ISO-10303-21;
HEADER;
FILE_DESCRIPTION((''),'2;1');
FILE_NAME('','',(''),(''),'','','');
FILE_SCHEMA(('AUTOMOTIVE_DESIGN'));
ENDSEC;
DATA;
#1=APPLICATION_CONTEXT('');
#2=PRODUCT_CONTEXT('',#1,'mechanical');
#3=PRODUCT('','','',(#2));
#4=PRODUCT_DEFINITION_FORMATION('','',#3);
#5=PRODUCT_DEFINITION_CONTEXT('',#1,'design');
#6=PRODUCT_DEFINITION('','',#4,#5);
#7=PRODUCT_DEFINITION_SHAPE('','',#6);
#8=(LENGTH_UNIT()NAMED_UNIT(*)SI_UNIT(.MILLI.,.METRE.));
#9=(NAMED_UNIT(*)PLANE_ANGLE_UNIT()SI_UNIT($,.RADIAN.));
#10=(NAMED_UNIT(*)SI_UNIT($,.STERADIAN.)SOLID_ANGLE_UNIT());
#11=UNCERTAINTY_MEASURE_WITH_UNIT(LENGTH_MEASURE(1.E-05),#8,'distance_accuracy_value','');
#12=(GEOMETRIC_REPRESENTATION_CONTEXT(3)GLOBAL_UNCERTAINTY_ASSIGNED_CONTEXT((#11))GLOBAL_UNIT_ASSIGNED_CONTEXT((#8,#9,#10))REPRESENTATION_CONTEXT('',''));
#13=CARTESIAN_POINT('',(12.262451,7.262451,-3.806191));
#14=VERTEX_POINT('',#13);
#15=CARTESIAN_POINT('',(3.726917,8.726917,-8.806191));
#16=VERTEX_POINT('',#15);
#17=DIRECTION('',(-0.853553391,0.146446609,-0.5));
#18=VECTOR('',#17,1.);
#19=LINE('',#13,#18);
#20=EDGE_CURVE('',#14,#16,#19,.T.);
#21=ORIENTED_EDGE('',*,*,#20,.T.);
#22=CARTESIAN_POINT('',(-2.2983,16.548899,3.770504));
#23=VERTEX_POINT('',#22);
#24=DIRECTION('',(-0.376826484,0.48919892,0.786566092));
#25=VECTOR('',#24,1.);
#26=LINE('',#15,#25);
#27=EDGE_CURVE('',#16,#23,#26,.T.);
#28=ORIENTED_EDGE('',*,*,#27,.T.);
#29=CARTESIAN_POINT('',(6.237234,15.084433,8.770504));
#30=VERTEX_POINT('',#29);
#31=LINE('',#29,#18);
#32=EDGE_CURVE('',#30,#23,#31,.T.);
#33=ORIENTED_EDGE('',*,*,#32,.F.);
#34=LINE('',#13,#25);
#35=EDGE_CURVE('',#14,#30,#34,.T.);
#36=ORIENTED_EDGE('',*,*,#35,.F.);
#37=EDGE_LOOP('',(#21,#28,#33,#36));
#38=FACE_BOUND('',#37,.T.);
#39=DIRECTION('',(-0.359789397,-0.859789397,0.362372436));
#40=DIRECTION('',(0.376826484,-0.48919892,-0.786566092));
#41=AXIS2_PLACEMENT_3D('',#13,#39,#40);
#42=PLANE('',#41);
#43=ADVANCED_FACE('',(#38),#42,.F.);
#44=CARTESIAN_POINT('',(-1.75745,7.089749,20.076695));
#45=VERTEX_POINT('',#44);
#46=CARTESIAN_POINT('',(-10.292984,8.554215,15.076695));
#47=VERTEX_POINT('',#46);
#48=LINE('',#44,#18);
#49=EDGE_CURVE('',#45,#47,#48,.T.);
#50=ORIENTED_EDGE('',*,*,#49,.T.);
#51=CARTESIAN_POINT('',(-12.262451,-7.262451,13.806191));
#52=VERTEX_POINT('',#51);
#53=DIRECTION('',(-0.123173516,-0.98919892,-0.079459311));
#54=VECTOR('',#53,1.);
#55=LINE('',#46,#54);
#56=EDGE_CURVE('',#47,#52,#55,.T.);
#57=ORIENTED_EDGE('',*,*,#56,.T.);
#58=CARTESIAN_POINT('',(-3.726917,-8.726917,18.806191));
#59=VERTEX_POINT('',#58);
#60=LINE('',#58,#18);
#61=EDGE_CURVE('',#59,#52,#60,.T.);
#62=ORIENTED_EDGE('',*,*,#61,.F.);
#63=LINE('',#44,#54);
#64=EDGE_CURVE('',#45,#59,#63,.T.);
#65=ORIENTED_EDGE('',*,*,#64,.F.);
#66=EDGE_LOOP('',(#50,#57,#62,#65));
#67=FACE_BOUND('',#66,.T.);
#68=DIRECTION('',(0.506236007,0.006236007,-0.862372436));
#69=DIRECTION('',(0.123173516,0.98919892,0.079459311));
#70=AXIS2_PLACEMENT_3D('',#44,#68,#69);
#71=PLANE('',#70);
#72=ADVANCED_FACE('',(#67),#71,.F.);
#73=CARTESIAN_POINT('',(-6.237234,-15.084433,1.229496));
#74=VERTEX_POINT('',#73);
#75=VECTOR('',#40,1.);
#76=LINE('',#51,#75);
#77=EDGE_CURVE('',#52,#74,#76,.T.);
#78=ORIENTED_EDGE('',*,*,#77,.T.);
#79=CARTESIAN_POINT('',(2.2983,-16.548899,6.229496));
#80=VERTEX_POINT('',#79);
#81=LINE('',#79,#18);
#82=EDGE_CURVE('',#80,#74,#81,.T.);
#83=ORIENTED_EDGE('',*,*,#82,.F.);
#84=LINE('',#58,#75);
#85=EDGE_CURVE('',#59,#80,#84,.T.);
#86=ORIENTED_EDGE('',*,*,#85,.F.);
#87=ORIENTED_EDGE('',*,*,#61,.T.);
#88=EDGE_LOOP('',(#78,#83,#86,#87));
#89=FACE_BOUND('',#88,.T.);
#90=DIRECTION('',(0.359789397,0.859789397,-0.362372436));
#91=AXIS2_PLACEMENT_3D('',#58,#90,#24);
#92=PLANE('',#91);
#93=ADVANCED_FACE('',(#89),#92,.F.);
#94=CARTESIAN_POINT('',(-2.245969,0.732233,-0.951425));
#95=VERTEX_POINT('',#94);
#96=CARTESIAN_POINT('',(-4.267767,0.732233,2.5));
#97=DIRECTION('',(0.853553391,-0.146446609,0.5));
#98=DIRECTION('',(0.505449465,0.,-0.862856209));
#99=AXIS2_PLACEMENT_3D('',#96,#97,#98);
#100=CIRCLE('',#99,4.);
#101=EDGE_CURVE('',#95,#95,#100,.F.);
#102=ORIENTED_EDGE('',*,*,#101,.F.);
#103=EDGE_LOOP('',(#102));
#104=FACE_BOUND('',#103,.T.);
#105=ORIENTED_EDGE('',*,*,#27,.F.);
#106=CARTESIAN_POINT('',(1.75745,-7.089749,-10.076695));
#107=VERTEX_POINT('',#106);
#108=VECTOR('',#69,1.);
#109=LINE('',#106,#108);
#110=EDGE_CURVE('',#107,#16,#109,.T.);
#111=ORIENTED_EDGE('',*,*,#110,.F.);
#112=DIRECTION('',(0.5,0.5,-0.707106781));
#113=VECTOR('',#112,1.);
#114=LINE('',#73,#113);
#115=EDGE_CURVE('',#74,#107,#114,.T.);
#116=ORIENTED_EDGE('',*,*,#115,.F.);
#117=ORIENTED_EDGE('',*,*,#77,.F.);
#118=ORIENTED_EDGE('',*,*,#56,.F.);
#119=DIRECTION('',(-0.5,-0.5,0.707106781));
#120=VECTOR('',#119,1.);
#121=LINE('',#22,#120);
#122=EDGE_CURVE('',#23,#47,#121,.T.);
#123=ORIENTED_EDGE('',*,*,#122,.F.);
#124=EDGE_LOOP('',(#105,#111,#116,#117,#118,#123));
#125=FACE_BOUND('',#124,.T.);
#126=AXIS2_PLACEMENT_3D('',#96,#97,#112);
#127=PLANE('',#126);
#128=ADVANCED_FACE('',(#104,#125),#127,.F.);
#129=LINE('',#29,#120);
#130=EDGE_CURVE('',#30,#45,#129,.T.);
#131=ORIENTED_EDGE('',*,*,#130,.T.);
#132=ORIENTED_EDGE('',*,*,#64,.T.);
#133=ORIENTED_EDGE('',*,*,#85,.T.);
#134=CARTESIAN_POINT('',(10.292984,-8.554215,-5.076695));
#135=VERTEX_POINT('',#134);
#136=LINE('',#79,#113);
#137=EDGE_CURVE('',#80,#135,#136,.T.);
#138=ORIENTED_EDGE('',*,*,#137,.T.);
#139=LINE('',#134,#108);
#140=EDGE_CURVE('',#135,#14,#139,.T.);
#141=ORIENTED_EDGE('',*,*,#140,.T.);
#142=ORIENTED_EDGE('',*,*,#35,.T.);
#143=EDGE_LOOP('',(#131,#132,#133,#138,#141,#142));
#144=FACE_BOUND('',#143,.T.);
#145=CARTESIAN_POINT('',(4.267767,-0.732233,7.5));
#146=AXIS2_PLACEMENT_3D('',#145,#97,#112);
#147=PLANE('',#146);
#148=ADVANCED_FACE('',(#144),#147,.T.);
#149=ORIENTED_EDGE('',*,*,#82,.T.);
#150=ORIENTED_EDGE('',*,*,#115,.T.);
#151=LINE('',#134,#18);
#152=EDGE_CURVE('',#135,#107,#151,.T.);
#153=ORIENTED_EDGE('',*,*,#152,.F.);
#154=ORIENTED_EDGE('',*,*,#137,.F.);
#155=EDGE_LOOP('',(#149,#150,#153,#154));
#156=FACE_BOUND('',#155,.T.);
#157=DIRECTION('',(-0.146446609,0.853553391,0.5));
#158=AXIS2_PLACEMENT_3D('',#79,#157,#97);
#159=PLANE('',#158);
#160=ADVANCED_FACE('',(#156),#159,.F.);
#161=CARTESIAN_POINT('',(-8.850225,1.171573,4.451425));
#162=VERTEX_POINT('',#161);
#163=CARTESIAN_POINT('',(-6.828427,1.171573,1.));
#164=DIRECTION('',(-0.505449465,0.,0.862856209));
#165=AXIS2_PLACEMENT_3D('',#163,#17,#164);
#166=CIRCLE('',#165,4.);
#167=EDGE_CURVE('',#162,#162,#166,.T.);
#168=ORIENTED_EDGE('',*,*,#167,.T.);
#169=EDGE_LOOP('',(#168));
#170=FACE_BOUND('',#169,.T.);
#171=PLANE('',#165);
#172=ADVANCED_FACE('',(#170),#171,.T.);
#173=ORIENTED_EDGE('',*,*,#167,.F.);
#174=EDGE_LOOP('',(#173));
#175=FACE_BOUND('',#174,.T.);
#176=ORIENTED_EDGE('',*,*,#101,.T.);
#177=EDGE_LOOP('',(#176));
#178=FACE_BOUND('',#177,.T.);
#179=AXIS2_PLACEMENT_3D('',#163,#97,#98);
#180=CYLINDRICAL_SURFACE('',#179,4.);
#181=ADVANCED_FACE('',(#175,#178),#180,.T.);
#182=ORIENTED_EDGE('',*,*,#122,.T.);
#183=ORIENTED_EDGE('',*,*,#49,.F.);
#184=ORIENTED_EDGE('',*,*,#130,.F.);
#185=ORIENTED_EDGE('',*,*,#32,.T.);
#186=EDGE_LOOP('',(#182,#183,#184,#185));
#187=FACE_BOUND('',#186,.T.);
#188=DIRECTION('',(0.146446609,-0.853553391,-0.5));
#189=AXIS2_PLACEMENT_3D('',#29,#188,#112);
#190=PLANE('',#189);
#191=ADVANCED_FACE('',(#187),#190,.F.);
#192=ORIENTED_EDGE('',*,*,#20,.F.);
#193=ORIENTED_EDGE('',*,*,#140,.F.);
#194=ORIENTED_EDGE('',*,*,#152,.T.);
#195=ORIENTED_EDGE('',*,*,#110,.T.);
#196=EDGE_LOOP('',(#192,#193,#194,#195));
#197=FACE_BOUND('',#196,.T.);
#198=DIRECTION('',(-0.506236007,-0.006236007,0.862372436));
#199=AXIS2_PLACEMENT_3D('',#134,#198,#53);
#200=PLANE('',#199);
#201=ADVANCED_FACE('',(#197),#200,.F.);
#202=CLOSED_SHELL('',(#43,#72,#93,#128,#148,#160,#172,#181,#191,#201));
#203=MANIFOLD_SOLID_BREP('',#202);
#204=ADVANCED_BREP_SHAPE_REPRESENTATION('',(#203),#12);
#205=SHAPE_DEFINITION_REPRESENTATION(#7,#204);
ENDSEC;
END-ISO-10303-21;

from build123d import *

# Parameters (mm, degrees)
EXTRUDE_1_DEPTH   = 10
MOVE_BODY_1_ANGLE = 64.736825646
SKETCH_2_R        = 4
EXTRUDE_2_DEPTH   = 3


with BuildPart() as part:
    # 草图1 → 凸台-拉伸1 (new body)
    with BuildSketch(Plane.XY):
        Polygon((7.994684102, 13.847199055), (-7.994684102, 13.847199055), (-15.989368203, 0), (-7.994684102, -13.847199055), (7.994684102, -13.847199055), (15.989368203, 0), align=None)
    extrude(amount=EXTRUDE_1_DEPTH)


with BuildPart() as part_1:
    # Move Body 1: moved
    add(part.part.rotate(Axis((-0.638697904, -1.541953143, 4.361302096), (0.3574067443365927, 0.8628562094610174, 0.3574067443365927)), MOVE_BODY_1_ANGLE))

    # 草图2 → 凸台-拉伸2 (add)
    with BuildSketch(Plane(origin=(-2.133883476, 0.366116524, -1.25), x_dir=(-0.49279927982674293, 0.08455098936288066, 0.8660254037844396), z_dir=(-0.8535533905932747, 0.14644660940672574, -0.49999999999999845))):
        with Locations(Location((4.330127019, 0, 0), (0, 0, 175.096803722))):
            Circle(SKETCH_2_R)
    extrude(amount=EXTRUDE_2_DEPTH)


solid = part_1.part
